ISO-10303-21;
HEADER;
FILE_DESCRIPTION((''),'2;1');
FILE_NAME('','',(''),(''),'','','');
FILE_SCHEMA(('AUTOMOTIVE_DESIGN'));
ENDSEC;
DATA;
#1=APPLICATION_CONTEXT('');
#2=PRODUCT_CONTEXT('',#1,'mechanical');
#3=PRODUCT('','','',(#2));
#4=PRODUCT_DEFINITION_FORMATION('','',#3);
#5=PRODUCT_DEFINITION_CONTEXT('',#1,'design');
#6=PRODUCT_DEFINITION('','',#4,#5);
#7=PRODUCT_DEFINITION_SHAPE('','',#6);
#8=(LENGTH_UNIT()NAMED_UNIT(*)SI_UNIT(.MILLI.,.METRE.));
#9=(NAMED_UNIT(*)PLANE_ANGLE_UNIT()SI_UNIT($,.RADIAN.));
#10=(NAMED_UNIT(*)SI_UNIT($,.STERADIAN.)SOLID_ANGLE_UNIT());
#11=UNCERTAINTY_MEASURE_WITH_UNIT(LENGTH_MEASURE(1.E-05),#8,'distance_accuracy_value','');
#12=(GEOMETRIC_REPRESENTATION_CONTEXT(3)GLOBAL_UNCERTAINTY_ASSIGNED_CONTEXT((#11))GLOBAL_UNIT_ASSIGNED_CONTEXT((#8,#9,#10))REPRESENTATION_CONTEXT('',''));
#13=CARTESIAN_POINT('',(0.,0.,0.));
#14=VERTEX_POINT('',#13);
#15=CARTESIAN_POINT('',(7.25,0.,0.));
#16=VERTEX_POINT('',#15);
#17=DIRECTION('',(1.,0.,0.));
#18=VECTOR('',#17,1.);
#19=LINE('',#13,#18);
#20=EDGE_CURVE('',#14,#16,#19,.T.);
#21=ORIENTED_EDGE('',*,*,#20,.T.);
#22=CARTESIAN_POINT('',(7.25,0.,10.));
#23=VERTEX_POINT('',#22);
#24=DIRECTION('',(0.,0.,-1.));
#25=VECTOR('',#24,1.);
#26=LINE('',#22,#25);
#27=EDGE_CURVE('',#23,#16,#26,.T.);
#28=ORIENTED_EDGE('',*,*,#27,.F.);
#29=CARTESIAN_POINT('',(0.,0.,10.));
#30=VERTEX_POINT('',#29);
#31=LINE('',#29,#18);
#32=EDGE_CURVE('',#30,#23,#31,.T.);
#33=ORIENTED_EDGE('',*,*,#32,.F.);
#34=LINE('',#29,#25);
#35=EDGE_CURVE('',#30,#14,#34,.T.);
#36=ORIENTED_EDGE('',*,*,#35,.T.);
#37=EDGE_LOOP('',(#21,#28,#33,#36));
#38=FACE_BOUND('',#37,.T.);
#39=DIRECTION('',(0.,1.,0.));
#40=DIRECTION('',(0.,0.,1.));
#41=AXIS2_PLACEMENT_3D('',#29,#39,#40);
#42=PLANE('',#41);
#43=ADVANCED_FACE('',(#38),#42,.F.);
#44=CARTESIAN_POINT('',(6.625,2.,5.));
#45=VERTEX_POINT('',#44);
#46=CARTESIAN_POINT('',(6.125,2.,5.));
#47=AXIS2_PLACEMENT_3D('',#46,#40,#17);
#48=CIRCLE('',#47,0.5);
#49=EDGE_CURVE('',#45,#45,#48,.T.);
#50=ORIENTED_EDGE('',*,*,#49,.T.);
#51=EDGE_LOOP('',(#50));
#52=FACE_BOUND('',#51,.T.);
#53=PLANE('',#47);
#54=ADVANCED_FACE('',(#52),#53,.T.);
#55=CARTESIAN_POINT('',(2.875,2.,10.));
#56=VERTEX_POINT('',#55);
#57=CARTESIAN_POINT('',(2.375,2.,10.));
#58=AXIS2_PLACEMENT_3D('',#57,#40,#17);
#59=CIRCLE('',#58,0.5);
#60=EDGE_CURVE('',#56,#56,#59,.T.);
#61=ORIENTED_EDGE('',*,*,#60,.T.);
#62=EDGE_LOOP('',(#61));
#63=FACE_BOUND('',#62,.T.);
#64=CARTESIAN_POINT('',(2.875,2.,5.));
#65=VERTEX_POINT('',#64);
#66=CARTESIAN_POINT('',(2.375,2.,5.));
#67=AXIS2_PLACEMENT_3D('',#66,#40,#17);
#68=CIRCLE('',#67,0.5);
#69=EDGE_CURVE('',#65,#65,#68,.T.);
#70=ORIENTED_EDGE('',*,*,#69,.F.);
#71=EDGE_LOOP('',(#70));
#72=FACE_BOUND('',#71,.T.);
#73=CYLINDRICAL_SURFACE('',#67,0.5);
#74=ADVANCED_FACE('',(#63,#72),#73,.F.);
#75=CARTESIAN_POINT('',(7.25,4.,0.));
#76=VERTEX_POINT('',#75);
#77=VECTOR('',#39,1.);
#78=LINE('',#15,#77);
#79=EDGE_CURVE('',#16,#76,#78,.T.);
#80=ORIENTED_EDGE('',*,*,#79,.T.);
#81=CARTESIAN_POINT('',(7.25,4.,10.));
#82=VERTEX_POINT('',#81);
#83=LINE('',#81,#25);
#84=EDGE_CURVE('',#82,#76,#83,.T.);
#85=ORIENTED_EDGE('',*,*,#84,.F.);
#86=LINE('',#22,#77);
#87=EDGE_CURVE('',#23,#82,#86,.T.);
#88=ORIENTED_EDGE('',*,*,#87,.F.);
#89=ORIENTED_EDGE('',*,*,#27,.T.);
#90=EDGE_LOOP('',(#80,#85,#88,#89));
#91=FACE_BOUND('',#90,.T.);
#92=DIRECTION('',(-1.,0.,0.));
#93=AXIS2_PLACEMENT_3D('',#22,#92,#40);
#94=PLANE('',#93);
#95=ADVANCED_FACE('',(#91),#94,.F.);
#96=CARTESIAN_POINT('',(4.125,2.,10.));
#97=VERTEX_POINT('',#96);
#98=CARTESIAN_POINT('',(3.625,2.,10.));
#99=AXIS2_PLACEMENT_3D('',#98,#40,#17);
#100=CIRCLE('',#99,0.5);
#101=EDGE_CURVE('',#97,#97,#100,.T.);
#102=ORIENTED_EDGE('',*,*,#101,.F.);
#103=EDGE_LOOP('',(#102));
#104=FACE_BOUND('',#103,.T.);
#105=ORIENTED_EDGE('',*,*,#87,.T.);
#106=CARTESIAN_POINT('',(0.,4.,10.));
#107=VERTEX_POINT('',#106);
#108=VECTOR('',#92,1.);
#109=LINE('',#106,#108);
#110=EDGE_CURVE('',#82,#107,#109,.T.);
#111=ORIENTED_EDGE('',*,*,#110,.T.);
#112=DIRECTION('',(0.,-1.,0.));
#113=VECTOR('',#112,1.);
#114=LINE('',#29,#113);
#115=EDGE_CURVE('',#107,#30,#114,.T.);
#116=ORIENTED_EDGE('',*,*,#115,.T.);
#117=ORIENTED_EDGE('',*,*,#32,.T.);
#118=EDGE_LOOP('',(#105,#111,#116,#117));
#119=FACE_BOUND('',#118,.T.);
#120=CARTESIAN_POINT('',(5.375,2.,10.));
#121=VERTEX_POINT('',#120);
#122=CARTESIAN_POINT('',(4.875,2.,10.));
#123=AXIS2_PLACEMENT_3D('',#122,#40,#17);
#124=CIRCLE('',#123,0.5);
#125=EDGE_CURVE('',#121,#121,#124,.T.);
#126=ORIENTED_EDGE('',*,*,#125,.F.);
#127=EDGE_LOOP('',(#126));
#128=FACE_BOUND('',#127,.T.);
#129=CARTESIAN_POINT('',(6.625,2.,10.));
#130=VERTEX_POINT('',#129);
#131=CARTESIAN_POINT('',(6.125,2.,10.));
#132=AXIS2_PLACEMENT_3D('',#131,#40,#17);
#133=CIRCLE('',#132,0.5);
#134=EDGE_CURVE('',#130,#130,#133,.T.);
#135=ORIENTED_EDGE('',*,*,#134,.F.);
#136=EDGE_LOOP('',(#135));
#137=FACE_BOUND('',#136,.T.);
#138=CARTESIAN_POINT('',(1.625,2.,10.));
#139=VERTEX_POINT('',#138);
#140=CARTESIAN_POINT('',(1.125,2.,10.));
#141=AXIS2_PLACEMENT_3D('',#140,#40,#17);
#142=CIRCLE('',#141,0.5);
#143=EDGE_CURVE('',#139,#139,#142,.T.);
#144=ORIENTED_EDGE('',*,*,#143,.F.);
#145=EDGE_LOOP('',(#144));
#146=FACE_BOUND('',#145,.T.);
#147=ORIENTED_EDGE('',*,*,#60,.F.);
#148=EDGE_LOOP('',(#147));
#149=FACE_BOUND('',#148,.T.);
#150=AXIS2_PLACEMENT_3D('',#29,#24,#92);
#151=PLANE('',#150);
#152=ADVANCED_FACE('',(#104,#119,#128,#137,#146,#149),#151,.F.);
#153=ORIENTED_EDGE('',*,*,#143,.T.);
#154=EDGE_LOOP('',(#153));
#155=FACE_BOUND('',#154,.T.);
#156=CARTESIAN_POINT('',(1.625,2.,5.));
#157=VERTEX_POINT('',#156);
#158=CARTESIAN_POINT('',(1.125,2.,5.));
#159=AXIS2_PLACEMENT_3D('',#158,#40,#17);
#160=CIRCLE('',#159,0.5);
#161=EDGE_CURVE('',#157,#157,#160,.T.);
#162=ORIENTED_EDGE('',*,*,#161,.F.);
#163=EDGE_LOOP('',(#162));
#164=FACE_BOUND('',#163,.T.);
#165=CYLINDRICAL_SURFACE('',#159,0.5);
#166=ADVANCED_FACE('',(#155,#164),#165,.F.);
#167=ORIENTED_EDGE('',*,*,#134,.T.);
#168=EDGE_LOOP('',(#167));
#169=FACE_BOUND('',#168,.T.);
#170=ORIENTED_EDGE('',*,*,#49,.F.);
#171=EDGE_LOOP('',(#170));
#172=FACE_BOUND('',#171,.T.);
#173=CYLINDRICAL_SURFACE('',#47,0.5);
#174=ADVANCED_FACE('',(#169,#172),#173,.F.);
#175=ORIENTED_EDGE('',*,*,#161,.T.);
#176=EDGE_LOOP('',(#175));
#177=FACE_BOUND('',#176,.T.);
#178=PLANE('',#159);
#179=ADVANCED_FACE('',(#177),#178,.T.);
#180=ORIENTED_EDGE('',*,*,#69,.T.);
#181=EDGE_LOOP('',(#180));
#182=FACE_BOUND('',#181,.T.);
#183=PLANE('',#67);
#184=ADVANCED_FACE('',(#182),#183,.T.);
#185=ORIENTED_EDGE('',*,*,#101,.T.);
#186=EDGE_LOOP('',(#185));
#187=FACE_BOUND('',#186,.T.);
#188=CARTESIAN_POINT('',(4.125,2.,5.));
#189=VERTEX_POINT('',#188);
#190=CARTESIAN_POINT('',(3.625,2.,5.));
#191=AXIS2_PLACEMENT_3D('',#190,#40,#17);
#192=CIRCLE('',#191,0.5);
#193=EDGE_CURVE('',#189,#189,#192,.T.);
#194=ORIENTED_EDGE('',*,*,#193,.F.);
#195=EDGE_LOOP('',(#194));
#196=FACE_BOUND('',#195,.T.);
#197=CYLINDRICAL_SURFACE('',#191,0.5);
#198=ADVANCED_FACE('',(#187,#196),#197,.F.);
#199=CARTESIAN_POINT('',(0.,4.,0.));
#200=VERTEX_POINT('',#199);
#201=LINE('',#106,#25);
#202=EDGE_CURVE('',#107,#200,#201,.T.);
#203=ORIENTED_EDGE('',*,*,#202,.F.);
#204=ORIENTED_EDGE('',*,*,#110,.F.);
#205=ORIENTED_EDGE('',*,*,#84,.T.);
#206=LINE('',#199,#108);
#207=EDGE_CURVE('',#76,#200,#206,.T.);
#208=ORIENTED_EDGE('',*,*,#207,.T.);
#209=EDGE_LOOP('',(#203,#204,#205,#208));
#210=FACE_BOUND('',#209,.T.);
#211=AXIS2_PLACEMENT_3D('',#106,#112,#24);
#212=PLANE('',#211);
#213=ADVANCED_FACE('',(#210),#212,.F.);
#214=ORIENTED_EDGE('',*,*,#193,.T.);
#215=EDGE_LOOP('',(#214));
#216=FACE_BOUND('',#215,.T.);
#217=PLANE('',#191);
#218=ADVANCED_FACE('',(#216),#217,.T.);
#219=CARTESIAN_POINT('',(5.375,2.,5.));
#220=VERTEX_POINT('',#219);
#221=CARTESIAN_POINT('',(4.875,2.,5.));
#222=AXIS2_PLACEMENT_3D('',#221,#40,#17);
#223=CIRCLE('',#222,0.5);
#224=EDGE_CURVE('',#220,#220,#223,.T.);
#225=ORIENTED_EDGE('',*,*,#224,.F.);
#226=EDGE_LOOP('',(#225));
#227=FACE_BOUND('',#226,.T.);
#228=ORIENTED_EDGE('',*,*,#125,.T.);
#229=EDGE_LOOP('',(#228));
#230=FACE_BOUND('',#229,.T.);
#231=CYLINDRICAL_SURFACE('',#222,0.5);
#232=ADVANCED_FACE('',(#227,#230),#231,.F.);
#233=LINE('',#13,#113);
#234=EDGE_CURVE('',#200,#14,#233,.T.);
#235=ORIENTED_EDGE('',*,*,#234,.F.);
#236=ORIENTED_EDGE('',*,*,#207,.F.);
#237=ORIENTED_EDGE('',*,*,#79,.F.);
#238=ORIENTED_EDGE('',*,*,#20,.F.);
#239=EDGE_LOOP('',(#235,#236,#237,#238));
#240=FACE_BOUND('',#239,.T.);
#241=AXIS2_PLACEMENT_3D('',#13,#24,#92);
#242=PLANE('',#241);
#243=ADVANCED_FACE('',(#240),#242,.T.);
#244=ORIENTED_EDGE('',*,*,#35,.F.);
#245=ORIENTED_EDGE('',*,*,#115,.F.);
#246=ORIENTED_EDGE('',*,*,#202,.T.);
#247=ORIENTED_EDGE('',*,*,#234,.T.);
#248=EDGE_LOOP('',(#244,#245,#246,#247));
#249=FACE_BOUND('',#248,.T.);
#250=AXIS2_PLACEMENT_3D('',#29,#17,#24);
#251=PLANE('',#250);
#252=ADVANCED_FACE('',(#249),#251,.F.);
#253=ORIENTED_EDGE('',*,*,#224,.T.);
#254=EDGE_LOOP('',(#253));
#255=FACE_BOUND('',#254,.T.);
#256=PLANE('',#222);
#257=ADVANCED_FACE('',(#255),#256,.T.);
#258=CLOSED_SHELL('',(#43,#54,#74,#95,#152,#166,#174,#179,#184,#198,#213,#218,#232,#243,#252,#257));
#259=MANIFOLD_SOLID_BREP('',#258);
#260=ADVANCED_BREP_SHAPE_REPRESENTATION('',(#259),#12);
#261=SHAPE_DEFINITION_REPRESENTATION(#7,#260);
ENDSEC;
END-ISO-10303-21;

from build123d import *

# Parameters (mm, degrees)
SKETCH2_W           = 7.25
SKETCH2_H           = 4
BOSS_EXTRUDE1_DEPTH = 10
SKETCH3_R           = 0.5
CUT_EXTRUDE1_DEPTH  = 5


with BuildPart() as part:
    # Sketch2 → Boss-Extrude1 (new body)
    with BuildSketch(Plane.XY):
        with Locations((3.625, 2)):
            Rectangle(SKETCH2_W, SKETCH2_H)
    extrude(amount=BOSS_EXTRUDE1_DEPTH)

    # Sketch3 → Cut-Extrude1 (cut)
    with BuildSketch(Plane.XY.offset(10)):
        with Locations((1.125, 2)):
            Circle(SKETCH3_R)
        with Locations((2.375, 2)):
            Circle(SKETCH3_R)
        with Locations((3.625, 2)):
            Circle(SKETCH3_R)
        with Locations((4.875, 2)):
            Circle(SKETCH3_R)
        with Locations((6.125, 2)):
            Circle(SKETCH3_R)
    extrude(amount=-CUT_EXTRUDE1_DEPTH, mode=Mode.SUBTRACT)


solid = part.part
